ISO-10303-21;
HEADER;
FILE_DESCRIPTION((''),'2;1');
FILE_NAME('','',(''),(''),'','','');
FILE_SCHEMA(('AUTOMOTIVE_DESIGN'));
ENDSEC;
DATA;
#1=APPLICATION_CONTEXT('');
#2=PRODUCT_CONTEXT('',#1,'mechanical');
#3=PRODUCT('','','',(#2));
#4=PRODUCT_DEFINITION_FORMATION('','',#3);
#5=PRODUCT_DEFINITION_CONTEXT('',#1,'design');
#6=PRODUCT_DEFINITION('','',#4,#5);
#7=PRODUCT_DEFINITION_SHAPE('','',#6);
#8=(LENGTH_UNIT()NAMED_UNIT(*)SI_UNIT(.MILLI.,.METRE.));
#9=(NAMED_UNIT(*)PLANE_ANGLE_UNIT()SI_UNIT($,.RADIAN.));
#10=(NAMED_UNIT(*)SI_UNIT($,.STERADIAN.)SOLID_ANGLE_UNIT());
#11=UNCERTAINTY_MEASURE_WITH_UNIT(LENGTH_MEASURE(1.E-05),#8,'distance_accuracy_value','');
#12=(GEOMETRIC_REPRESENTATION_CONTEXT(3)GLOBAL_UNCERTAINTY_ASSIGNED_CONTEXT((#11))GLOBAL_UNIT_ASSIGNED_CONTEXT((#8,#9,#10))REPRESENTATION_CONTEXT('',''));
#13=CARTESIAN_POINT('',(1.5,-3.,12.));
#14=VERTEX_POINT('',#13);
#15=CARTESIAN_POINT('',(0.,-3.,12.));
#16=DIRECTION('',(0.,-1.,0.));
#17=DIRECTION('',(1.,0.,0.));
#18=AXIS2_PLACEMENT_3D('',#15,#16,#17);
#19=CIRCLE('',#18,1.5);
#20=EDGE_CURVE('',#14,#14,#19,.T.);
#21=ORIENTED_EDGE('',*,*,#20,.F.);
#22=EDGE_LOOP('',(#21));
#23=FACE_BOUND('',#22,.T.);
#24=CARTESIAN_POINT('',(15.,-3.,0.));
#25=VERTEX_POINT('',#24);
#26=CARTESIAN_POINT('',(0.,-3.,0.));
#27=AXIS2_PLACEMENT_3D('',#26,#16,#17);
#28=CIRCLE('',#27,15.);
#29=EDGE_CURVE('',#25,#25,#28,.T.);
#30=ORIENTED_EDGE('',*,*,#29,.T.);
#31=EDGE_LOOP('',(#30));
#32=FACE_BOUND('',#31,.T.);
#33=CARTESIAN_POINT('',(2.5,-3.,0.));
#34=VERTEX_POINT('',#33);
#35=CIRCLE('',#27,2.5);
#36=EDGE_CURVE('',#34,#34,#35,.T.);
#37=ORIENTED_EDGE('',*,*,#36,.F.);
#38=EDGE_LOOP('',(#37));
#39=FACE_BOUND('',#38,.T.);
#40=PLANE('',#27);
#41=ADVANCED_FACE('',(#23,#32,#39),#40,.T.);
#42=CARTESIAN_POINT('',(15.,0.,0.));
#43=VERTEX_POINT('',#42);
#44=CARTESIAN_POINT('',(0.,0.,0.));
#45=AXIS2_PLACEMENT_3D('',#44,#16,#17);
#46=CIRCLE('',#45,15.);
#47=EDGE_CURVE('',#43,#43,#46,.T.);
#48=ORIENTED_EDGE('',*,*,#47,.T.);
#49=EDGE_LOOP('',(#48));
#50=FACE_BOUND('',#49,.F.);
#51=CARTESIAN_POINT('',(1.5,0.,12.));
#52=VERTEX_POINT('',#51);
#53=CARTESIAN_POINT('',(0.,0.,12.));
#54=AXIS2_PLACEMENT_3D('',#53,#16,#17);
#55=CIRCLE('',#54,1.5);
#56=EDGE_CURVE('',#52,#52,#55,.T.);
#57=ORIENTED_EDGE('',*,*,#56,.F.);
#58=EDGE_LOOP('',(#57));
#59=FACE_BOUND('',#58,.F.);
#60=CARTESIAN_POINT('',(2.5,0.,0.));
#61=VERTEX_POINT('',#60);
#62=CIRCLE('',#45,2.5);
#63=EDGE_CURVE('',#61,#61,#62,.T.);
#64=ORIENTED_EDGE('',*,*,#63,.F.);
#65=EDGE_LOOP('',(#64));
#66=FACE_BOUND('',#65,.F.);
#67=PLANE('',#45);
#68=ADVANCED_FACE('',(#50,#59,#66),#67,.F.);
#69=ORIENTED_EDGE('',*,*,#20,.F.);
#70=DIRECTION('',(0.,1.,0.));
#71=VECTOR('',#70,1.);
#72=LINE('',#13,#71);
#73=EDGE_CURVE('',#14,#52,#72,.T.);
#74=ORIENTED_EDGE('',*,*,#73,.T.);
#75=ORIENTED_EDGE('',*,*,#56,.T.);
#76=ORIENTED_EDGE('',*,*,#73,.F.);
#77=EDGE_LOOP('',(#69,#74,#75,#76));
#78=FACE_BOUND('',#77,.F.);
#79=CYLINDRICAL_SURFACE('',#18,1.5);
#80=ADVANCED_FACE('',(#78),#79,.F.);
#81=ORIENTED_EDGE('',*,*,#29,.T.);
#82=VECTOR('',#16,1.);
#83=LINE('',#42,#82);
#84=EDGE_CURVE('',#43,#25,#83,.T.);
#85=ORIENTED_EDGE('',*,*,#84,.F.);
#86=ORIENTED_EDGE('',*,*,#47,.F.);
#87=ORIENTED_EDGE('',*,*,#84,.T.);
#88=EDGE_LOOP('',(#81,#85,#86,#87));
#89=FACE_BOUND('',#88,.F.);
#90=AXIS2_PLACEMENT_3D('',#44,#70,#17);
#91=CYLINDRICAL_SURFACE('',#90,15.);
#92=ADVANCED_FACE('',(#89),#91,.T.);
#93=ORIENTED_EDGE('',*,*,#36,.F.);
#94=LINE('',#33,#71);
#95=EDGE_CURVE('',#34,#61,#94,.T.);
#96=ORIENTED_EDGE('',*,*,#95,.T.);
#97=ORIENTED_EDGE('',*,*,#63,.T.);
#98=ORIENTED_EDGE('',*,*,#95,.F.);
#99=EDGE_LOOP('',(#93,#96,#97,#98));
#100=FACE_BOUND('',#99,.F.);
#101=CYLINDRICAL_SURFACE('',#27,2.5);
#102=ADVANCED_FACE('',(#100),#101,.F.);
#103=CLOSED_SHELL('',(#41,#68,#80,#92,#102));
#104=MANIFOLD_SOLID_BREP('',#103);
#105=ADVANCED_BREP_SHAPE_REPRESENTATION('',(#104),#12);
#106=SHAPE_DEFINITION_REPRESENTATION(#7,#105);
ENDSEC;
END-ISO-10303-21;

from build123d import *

# Parameters (mm, degrees)
F0_R     = 15
F1_DEPTH = 3
F2_R     = 1.5
F3_DEPTH = 3
F4_R     = 2.5
F5_DEPTH = 3


with BuildPart() as f1:
    # F0 (on Front) → F1 (new body)
    with BuildSketch(Plane.XZ):
        Circle(F0_R)
    extrude(amount=F1_DEPTH)

    # F2 (on face) → F3 (cut, through all)
    with BuildSketch(Plane.XZ.offset(3)):
        with Locations((0, 12)):
            Circle(F2_R)
    extrude(amount=-F3_DEPTH, mode=Mode.SUBTRACT)

    # F4 (on face) → F5 (cut, through all)
    with BuildSketch(Plane.XZ.offset(3)):
        Circle(F4_R)
    extrude(amount=-F5_DEPTH, mode=Mode.SUBTRACT)


solid = f1.part
